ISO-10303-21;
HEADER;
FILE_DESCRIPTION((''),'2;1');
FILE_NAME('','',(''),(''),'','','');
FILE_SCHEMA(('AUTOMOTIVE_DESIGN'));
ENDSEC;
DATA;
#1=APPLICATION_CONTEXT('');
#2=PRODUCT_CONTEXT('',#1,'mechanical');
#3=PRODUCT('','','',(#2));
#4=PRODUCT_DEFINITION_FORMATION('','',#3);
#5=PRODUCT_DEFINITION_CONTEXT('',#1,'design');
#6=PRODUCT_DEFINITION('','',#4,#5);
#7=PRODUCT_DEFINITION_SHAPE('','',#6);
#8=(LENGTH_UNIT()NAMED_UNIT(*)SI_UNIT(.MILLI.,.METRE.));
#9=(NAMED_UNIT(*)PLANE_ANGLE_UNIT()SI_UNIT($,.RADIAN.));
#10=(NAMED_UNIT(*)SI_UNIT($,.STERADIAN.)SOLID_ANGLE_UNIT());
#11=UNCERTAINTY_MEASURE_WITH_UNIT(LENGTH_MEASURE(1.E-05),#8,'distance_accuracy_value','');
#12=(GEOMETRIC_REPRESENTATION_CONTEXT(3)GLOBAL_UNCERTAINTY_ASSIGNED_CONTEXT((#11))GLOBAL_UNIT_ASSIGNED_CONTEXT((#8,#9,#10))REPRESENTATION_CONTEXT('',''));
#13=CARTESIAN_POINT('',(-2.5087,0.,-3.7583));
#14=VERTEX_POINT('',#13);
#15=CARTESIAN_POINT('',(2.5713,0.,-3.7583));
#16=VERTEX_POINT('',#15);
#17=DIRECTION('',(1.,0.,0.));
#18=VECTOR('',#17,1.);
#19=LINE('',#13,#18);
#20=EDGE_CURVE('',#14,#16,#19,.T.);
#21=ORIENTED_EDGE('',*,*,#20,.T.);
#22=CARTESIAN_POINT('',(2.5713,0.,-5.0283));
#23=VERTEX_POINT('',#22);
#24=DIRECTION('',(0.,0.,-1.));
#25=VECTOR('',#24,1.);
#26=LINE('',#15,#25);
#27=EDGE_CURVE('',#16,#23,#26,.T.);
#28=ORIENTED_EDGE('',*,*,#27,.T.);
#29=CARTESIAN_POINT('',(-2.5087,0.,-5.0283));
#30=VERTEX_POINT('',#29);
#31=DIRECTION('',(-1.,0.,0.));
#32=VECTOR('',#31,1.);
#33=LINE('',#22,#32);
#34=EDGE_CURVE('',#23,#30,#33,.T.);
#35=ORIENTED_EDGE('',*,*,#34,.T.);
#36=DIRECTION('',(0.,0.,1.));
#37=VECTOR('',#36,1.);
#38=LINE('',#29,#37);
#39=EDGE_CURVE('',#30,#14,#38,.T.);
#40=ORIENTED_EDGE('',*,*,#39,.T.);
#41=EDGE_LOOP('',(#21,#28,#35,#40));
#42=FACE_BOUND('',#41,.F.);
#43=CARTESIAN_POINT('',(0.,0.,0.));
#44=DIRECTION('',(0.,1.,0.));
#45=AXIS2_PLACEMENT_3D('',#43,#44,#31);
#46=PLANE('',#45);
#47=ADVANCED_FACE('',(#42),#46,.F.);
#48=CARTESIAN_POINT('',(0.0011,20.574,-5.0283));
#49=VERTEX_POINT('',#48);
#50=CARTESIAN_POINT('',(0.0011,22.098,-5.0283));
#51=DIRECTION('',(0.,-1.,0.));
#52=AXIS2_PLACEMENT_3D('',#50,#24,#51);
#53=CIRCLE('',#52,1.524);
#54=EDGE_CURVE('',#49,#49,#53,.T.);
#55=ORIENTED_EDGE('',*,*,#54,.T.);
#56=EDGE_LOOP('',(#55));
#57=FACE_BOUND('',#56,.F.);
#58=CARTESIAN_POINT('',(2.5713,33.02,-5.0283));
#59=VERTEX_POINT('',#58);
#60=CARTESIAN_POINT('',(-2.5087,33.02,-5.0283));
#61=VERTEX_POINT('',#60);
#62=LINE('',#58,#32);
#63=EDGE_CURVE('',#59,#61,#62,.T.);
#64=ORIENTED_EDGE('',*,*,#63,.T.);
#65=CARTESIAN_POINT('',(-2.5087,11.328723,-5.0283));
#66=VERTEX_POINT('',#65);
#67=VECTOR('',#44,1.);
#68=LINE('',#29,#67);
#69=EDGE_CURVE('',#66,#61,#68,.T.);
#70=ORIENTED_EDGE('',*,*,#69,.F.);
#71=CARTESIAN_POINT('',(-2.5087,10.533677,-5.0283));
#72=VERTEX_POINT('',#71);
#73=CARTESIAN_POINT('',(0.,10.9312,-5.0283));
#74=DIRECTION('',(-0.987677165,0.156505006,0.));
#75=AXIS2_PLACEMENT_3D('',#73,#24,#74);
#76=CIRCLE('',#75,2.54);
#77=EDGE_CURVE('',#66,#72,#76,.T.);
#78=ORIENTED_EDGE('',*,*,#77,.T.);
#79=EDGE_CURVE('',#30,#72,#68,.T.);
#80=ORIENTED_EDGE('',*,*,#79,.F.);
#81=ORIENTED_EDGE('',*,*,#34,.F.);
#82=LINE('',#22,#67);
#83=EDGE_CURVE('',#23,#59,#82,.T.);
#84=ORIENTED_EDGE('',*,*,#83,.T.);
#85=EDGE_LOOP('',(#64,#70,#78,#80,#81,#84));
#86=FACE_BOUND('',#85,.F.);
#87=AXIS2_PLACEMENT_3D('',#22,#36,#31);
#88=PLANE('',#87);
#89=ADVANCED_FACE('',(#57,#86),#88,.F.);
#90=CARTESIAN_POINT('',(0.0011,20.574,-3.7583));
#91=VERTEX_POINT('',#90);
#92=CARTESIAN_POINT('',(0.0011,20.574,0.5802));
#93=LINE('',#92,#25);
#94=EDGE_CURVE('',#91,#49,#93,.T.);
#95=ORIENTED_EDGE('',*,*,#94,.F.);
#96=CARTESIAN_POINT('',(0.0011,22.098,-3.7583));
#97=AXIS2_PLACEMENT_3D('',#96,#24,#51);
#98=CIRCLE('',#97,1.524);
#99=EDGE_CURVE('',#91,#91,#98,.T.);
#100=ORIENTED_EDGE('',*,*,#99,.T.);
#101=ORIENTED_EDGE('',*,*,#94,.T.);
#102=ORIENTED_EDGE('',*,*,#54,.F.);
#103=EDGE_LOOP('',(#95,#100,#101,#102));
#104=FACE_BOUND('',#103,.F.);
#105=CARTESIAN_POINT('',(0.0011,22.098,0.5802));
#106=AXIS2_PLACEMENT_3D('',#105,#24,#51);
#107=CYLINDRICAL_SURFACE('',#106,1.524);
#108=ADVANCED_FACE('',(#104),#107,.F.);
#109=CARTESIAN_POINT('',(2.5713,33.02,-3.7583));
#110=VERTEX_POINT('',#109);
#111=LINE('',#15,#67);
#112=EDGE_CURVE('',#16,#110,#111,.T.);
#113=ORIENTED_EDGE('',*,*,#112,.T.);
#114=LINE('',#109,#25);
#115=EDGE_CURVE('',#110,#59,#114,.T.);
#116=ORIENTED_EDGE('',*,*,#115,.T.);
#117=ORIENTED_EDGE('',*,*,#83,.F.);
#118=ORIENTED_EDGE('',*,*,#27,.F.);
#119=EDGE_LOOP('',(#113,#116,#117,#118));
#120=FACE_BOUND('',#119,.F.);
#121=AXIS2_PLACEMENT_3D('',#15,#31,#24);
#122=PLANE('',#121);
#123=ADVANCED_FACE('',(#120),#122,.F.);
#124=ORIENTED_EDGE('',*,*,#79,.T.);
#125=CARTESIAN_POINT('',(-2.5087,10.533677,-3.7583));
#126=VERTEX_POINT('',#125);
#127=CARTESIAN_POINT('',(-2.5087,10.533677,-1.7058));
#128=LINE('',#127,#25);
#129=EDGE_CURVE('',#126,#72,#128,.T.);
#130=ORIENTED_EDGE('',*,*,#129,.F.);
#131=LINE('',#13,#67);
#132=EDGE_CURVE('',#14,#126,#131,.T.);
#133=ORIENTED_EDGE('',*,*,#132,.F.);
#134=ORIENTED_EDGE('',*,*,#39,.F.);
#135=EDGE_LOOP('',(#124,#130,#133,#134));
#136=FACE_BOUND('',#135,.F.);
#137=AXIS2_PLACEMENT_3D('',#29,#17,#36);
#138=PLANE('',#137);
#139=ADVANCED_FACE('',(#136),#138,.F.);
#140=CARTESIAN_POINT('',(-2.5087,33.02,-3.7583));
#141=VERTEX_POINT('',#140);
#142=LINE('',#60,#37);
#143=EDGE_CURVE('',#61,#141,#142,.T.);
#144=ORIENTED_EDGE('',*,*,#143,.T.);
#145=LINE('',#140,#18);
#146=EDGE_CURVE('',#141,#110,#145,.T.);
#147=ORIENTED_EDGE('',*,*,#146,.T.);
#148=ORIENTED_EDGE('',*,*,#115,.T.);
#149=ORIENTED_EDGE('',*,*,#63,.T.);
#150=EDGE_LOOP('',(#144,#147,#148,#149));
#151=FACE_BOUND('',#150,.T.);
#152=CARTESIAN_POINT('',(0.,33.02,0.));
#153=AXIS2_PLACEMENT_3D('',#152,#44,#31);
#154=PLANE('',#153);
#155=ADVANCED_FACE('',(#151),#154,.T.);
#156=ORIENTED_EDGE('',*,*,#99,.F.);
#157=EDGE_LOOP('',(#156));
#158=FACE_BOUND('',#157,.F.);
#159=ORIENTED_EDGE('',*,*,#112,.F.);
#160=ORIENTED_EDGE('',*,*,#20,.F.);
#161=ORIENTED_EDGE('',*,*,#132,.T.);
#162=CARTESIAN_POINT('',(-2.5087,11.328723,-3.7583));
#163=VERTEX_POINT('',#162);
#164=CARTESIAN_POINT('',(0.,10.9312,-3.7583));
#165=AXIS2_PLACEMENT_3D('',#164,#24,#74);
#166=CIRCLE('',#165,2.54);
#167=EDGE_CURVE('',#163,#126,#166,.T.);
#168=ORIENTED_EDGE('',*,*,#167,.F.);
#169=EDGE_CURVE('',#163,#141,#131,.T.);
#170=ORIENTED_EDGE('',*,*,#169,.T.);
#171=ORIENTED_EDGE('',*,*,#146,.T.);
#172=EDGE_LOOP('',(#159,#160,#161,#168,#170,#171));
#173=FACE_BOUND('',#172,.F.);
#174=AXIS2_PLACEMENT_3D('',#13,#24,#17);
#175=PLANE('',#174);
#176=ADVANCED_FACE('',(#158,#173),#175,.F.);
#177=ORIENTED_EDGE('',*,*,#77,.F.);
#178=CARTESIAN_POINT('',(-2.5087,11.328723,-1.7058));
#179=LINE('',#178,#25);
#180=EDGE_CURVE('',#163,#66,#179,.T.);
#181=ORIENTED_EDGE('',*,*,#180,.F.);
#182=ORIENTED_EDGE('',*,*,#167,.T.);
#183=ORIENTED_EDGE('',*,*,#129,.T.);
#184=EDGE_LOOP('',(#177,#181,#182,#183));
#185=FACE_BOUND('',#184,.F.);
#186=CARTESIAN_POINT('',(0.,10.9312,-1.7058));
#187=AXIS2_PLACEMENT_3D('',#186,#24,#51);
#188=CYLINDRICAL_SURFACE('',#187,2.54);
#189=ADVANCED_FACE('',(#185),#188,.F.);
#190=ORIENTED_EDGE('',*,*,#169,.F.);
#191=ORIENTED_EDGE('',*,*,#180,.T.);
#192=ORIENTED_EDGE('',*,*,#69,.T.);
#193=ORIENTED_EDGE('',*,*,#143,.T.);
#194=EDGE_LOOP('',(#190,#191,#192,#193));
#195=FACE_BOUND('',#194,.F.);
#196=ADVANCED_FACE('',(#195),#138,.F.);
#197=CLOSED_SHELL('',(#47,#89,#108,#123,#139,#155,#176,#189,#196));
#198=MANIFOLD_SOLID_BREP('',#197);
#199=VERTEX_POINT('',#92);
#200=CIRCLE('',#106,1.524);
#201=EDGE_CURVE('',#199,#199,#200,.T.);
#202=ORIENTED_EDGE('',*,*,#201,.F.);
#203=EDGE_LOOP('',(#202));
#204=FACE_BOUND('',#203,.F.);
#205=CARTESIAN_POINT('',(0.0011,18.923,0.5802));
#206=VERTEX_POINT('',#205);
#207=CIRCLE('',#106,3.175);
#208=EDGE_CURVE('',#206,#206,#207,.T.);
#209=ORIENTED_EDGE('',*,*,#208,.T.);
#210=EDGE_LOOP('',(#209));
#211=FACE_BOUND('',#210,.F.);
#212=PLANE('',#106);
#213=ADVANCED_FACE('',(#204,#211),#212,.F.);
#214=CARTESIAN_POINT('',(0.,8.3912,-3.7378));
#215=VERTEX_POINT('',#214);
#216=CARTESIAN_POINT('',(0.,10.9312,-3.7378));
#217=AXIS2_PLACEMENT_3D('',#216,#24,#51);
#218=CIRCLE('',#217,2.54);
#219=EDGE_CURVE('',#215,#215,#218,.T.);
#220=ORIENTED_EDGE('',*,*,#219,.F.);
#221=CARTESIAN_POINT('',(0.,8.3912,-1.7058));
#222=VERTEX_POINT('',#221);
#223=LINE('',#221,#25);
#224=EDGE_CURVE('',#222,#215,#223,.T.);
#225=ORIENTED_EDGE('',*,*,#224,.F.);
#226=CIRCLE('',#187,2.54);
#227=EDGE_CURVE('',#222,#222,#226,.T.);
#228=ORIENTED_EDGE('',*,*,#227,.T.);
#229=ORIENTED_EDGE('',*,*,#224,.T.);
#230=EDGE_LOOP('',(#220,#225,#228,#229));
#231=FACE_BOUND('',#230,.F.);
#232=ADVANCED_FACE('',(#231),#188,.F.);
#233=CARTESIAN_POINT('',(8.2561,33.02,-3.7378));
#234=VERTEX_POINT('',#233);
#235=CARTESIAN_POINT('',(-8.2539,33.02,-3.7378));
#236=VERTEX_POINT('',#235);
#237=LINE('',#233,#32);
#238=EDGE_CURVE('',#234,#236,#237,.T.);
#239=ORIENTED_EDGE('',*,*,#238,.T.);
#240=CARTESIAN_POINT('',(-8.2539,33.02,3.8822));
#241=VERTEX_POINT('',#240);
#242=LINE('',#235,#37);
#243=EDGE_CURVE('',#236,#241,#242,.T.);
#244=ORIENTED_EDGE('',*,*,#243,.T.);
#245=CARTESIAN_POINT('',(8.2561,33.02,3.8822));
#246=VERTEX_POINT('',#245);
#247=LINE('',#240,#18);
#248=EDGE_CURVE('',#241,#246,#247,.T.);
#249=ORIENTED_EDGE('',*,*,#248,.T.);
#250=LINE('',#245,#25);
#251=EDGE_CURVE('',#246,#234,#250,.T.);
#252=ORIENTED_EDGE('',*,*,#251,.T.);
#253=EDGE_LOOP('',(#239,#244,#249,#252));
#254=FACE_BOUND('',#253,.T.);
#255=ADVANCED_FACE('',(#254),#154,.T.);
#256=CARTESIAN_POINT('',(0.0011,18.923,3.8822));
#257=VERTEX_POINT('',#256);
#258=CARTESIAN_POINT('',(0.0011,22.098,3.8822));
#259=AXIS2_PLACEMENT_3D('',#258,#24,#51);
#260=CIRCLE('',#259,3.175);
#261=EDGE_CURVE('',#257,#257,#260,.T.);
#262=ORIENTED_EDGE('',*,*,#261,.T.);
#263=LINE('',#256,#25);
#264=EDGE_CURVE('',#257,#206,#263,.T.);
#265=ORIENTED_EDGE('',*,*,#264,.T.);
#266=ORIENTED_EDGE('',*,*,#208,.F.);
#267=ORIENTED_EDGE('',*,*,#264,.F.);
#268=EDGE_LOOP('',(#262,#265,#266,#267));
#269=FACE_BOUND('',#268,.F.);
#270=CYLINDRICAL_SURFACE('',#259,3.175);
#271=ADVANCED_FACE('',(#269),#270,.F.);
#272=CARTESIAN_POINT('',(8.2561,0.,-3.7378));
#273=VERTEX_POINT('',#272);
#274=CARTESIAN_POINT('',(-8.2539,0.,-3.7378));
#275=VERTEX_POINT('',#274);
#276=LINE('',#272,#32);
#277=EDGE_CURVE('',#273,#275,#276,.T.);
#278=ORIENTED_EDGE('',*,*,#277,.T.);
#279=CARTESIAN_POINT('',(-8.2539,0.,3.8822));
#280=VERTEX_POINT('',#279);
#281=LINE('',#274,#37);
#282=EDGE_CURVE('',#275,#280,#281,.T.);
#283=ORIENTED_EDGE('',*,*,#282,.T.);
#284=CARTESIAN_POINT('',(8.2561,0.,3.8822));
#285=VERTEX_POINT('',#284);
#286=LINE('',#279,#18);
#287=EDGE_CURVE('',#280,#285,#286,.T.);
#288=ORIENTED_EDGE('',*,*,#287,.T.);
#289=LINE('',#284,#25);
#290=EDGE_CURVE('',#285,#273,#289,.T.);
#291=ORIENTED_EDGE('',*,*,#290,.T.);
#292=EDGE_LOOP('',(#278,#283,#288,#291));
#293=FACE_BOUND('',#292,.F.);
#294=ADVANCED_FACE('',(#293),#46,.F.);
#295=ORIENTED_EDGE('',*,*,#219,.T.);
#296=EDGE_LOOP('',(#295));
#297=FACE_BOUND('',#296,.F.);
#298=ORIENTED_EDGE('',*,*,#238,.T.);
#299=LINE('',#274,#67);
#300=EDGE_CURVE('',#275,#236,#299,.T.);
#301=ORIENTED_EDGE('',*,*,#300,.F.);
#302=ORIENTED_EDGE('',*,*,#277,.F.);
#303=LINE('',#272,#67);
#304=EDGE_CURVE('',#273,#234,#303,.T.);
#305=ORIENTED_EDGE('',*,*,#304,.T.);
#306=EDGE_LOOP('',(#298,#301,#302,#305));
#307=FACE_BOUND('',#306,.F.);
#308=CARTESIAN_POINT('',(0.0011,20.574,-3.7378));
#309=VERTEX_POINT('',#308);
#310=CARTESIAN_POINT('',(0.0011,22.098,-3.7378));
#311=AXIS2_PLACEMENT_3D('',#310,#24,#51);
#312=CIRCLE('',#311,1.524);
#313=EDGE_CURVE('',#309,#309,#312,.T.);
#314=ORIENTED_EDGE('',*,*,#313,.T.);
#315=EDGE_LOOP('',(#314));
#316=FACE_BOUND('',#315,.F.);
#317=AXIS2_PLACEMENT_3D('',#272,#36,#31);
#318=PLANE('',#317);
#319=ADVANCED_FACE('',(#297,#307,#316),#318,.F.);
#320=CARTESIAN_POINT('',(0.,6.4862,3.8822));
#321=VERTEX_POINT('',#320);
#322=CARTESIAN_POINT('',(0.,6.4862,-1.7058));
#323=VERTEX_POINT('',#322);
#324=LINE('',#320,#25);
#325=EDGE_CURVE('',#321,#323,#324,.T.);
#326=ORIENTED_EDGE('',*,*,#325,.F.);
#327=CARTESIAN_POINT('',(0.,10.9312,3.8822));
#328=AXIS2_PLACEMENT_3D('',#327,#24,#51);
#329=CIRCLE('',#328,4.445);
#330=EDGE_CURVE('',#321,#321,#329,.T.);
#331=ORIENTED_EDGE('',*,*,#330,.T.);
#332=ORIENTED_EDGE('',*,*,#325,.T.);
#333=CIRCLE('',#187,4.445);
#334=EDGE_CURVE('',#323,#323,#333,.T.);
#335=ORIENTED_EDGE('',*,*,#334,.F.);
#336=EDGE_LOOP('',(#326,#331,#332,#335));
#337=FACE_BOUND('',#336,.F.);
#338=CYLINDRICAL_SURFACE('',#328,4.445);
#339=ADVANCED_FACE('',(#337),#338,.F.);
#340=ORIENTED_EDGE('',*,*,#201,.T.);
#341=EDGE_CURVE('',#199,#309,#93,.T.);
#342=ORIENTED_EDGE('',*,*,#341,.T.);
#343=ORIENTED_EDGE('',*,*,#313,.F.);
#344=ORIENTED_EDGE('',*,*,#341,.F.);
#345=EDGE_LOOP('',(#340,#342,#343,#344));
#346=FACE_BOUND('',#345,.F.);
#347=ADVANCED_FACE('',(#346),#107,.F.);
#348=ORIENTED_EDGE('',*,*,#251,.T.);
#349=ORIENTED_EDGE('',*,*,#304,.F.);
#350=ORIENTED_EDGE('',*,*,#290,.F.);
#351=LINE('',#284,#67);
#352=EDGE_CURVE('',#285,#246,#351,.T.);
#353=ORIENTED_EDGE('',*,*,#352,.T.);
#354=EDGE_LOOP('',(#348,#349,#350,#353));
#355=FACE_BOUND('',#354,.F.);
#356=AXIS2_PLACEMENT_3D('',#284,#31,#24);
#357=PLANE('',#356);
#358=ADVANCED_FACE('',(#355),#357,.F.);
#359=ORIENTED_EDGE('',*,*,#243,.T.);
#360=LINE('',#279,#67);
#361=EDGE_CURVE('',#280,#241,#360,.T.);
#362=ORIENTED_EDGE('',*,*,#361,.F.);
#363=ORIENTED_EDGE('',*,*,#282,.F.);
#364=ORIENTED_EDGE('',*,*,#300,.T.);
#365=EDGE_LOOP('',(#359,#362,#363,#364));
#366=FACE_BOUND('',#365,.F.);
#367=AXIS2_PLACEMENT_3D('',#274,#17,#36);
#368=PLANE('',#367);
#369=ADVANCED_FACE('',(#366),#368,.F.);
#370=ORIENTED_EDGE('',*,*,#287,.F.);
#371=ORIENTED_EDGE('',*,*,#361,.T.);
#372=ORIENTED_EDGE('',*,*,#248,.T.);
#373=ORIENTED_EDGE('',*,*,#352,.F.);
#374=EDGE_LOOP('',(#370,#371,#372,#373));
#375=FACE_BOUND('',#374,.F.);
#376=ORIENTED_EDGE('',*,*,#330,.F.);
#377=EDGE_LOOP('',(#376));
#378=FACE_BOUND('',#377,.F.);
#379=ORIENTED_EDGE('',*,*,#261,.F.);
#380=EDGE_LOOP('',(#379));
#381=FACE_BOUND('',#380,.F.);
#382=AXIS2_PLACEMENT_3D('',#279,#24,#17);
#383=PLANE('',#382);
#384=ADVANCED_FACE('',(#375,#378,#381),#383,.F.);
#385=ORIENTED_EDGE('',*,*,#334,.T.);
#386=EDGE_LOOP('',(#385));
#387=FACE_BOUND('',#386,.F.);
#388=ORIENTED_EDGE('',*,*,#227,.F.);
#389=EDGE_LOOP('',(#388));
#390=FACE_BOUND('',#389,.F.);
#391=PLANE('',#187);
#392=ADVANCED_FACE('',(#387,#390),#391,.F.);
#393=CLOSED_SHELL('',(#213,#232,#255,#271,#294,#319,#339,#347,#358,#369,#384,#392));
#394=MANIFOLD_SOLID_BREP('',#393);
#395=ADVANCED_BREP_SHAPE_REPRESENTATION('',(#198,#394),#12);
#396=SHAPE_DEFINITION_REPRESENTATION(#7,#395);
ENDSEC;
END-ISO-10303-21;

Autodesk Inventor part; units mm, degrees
ref_plane "YZ Plane" through (0, 0, 0) normal (1, 0, 0) x (0, 1, 0)
ref_plane "XZ Plane" through (0, 0, 0) normal (0, 1, 0) x (-1, 0, 0)
ref_plane "XY Plane" through (0, 0, 0) normal (0, 0, 1) x (1, 0, 0)
sketch "Sketch1" plane through (0, 0, 0) normal (0, 1, 0) x (-1, 0, 0)
  line L0 (8.2539, 3.8822) -> (-8.2561, 3.8822)
  line L1 (-8.2561, 3.8822) -> (-8.2561, -3.7378)
  line L2 (-8.2561, -3.7378) -> (8.2539, -3.7378)
  line L3 (8.2539, -3.7378) -> (8.2539, 3.8822)
  line L4 (2.5087, -3.7583) -> (-2.5713, -3.7583)
  line L5 (-2.5713, -3.7583) -> (-2.5713, -5.0283)
  line L6 (-2.5713, -5.0283) -> (2.5087, -5.0283)
  line L7 (2.5087, -5.0283) -> (2.5087, -3.7583)
  point P0 (0, 0)
  dimension "d0" = 16.51
  dimension "d1" = 7.62
  dimension "d2" = 5.08
  dimension "d3" = 1.27
extrude "Extrusion1" add sketch "Sketch1" along normal blind 33.02
sketch "Sketch4" plane through (-8.2539, 0, 3.8822) normal (0, 0, 1) x (1, 0, 0)
  line L0 (8.2539, 0) -> (8.2539, 10.922)
  line L1 (0, 33.02) -> (16.51, 33.02) projected
  line L2 (8.255, 33.02) -> (8.255, 22.098)
  dimension "d8" = 10.922
  dimension "d9" = 10.922
hole "Hole1" at (0.0011, 22.098, 3.8822) direction (0, 0, -1) diameter 3.048 end through all counterbore diameter 6.35 counterbore depth 3.302
sketch "Sketch6" plane through (-8.2539, 0, 3.8822) normal (0, 0, 1) x (1, 0, 0)
  line L0 (8.2539, 0) -> (8.2539, 10.9312)
hole "Hole4" at (0, 10.9312, 3.8822) direction (0, 0, -1) diameter 5.08 end through all counterbore diameter 8.89 counterbore depth 5.588
